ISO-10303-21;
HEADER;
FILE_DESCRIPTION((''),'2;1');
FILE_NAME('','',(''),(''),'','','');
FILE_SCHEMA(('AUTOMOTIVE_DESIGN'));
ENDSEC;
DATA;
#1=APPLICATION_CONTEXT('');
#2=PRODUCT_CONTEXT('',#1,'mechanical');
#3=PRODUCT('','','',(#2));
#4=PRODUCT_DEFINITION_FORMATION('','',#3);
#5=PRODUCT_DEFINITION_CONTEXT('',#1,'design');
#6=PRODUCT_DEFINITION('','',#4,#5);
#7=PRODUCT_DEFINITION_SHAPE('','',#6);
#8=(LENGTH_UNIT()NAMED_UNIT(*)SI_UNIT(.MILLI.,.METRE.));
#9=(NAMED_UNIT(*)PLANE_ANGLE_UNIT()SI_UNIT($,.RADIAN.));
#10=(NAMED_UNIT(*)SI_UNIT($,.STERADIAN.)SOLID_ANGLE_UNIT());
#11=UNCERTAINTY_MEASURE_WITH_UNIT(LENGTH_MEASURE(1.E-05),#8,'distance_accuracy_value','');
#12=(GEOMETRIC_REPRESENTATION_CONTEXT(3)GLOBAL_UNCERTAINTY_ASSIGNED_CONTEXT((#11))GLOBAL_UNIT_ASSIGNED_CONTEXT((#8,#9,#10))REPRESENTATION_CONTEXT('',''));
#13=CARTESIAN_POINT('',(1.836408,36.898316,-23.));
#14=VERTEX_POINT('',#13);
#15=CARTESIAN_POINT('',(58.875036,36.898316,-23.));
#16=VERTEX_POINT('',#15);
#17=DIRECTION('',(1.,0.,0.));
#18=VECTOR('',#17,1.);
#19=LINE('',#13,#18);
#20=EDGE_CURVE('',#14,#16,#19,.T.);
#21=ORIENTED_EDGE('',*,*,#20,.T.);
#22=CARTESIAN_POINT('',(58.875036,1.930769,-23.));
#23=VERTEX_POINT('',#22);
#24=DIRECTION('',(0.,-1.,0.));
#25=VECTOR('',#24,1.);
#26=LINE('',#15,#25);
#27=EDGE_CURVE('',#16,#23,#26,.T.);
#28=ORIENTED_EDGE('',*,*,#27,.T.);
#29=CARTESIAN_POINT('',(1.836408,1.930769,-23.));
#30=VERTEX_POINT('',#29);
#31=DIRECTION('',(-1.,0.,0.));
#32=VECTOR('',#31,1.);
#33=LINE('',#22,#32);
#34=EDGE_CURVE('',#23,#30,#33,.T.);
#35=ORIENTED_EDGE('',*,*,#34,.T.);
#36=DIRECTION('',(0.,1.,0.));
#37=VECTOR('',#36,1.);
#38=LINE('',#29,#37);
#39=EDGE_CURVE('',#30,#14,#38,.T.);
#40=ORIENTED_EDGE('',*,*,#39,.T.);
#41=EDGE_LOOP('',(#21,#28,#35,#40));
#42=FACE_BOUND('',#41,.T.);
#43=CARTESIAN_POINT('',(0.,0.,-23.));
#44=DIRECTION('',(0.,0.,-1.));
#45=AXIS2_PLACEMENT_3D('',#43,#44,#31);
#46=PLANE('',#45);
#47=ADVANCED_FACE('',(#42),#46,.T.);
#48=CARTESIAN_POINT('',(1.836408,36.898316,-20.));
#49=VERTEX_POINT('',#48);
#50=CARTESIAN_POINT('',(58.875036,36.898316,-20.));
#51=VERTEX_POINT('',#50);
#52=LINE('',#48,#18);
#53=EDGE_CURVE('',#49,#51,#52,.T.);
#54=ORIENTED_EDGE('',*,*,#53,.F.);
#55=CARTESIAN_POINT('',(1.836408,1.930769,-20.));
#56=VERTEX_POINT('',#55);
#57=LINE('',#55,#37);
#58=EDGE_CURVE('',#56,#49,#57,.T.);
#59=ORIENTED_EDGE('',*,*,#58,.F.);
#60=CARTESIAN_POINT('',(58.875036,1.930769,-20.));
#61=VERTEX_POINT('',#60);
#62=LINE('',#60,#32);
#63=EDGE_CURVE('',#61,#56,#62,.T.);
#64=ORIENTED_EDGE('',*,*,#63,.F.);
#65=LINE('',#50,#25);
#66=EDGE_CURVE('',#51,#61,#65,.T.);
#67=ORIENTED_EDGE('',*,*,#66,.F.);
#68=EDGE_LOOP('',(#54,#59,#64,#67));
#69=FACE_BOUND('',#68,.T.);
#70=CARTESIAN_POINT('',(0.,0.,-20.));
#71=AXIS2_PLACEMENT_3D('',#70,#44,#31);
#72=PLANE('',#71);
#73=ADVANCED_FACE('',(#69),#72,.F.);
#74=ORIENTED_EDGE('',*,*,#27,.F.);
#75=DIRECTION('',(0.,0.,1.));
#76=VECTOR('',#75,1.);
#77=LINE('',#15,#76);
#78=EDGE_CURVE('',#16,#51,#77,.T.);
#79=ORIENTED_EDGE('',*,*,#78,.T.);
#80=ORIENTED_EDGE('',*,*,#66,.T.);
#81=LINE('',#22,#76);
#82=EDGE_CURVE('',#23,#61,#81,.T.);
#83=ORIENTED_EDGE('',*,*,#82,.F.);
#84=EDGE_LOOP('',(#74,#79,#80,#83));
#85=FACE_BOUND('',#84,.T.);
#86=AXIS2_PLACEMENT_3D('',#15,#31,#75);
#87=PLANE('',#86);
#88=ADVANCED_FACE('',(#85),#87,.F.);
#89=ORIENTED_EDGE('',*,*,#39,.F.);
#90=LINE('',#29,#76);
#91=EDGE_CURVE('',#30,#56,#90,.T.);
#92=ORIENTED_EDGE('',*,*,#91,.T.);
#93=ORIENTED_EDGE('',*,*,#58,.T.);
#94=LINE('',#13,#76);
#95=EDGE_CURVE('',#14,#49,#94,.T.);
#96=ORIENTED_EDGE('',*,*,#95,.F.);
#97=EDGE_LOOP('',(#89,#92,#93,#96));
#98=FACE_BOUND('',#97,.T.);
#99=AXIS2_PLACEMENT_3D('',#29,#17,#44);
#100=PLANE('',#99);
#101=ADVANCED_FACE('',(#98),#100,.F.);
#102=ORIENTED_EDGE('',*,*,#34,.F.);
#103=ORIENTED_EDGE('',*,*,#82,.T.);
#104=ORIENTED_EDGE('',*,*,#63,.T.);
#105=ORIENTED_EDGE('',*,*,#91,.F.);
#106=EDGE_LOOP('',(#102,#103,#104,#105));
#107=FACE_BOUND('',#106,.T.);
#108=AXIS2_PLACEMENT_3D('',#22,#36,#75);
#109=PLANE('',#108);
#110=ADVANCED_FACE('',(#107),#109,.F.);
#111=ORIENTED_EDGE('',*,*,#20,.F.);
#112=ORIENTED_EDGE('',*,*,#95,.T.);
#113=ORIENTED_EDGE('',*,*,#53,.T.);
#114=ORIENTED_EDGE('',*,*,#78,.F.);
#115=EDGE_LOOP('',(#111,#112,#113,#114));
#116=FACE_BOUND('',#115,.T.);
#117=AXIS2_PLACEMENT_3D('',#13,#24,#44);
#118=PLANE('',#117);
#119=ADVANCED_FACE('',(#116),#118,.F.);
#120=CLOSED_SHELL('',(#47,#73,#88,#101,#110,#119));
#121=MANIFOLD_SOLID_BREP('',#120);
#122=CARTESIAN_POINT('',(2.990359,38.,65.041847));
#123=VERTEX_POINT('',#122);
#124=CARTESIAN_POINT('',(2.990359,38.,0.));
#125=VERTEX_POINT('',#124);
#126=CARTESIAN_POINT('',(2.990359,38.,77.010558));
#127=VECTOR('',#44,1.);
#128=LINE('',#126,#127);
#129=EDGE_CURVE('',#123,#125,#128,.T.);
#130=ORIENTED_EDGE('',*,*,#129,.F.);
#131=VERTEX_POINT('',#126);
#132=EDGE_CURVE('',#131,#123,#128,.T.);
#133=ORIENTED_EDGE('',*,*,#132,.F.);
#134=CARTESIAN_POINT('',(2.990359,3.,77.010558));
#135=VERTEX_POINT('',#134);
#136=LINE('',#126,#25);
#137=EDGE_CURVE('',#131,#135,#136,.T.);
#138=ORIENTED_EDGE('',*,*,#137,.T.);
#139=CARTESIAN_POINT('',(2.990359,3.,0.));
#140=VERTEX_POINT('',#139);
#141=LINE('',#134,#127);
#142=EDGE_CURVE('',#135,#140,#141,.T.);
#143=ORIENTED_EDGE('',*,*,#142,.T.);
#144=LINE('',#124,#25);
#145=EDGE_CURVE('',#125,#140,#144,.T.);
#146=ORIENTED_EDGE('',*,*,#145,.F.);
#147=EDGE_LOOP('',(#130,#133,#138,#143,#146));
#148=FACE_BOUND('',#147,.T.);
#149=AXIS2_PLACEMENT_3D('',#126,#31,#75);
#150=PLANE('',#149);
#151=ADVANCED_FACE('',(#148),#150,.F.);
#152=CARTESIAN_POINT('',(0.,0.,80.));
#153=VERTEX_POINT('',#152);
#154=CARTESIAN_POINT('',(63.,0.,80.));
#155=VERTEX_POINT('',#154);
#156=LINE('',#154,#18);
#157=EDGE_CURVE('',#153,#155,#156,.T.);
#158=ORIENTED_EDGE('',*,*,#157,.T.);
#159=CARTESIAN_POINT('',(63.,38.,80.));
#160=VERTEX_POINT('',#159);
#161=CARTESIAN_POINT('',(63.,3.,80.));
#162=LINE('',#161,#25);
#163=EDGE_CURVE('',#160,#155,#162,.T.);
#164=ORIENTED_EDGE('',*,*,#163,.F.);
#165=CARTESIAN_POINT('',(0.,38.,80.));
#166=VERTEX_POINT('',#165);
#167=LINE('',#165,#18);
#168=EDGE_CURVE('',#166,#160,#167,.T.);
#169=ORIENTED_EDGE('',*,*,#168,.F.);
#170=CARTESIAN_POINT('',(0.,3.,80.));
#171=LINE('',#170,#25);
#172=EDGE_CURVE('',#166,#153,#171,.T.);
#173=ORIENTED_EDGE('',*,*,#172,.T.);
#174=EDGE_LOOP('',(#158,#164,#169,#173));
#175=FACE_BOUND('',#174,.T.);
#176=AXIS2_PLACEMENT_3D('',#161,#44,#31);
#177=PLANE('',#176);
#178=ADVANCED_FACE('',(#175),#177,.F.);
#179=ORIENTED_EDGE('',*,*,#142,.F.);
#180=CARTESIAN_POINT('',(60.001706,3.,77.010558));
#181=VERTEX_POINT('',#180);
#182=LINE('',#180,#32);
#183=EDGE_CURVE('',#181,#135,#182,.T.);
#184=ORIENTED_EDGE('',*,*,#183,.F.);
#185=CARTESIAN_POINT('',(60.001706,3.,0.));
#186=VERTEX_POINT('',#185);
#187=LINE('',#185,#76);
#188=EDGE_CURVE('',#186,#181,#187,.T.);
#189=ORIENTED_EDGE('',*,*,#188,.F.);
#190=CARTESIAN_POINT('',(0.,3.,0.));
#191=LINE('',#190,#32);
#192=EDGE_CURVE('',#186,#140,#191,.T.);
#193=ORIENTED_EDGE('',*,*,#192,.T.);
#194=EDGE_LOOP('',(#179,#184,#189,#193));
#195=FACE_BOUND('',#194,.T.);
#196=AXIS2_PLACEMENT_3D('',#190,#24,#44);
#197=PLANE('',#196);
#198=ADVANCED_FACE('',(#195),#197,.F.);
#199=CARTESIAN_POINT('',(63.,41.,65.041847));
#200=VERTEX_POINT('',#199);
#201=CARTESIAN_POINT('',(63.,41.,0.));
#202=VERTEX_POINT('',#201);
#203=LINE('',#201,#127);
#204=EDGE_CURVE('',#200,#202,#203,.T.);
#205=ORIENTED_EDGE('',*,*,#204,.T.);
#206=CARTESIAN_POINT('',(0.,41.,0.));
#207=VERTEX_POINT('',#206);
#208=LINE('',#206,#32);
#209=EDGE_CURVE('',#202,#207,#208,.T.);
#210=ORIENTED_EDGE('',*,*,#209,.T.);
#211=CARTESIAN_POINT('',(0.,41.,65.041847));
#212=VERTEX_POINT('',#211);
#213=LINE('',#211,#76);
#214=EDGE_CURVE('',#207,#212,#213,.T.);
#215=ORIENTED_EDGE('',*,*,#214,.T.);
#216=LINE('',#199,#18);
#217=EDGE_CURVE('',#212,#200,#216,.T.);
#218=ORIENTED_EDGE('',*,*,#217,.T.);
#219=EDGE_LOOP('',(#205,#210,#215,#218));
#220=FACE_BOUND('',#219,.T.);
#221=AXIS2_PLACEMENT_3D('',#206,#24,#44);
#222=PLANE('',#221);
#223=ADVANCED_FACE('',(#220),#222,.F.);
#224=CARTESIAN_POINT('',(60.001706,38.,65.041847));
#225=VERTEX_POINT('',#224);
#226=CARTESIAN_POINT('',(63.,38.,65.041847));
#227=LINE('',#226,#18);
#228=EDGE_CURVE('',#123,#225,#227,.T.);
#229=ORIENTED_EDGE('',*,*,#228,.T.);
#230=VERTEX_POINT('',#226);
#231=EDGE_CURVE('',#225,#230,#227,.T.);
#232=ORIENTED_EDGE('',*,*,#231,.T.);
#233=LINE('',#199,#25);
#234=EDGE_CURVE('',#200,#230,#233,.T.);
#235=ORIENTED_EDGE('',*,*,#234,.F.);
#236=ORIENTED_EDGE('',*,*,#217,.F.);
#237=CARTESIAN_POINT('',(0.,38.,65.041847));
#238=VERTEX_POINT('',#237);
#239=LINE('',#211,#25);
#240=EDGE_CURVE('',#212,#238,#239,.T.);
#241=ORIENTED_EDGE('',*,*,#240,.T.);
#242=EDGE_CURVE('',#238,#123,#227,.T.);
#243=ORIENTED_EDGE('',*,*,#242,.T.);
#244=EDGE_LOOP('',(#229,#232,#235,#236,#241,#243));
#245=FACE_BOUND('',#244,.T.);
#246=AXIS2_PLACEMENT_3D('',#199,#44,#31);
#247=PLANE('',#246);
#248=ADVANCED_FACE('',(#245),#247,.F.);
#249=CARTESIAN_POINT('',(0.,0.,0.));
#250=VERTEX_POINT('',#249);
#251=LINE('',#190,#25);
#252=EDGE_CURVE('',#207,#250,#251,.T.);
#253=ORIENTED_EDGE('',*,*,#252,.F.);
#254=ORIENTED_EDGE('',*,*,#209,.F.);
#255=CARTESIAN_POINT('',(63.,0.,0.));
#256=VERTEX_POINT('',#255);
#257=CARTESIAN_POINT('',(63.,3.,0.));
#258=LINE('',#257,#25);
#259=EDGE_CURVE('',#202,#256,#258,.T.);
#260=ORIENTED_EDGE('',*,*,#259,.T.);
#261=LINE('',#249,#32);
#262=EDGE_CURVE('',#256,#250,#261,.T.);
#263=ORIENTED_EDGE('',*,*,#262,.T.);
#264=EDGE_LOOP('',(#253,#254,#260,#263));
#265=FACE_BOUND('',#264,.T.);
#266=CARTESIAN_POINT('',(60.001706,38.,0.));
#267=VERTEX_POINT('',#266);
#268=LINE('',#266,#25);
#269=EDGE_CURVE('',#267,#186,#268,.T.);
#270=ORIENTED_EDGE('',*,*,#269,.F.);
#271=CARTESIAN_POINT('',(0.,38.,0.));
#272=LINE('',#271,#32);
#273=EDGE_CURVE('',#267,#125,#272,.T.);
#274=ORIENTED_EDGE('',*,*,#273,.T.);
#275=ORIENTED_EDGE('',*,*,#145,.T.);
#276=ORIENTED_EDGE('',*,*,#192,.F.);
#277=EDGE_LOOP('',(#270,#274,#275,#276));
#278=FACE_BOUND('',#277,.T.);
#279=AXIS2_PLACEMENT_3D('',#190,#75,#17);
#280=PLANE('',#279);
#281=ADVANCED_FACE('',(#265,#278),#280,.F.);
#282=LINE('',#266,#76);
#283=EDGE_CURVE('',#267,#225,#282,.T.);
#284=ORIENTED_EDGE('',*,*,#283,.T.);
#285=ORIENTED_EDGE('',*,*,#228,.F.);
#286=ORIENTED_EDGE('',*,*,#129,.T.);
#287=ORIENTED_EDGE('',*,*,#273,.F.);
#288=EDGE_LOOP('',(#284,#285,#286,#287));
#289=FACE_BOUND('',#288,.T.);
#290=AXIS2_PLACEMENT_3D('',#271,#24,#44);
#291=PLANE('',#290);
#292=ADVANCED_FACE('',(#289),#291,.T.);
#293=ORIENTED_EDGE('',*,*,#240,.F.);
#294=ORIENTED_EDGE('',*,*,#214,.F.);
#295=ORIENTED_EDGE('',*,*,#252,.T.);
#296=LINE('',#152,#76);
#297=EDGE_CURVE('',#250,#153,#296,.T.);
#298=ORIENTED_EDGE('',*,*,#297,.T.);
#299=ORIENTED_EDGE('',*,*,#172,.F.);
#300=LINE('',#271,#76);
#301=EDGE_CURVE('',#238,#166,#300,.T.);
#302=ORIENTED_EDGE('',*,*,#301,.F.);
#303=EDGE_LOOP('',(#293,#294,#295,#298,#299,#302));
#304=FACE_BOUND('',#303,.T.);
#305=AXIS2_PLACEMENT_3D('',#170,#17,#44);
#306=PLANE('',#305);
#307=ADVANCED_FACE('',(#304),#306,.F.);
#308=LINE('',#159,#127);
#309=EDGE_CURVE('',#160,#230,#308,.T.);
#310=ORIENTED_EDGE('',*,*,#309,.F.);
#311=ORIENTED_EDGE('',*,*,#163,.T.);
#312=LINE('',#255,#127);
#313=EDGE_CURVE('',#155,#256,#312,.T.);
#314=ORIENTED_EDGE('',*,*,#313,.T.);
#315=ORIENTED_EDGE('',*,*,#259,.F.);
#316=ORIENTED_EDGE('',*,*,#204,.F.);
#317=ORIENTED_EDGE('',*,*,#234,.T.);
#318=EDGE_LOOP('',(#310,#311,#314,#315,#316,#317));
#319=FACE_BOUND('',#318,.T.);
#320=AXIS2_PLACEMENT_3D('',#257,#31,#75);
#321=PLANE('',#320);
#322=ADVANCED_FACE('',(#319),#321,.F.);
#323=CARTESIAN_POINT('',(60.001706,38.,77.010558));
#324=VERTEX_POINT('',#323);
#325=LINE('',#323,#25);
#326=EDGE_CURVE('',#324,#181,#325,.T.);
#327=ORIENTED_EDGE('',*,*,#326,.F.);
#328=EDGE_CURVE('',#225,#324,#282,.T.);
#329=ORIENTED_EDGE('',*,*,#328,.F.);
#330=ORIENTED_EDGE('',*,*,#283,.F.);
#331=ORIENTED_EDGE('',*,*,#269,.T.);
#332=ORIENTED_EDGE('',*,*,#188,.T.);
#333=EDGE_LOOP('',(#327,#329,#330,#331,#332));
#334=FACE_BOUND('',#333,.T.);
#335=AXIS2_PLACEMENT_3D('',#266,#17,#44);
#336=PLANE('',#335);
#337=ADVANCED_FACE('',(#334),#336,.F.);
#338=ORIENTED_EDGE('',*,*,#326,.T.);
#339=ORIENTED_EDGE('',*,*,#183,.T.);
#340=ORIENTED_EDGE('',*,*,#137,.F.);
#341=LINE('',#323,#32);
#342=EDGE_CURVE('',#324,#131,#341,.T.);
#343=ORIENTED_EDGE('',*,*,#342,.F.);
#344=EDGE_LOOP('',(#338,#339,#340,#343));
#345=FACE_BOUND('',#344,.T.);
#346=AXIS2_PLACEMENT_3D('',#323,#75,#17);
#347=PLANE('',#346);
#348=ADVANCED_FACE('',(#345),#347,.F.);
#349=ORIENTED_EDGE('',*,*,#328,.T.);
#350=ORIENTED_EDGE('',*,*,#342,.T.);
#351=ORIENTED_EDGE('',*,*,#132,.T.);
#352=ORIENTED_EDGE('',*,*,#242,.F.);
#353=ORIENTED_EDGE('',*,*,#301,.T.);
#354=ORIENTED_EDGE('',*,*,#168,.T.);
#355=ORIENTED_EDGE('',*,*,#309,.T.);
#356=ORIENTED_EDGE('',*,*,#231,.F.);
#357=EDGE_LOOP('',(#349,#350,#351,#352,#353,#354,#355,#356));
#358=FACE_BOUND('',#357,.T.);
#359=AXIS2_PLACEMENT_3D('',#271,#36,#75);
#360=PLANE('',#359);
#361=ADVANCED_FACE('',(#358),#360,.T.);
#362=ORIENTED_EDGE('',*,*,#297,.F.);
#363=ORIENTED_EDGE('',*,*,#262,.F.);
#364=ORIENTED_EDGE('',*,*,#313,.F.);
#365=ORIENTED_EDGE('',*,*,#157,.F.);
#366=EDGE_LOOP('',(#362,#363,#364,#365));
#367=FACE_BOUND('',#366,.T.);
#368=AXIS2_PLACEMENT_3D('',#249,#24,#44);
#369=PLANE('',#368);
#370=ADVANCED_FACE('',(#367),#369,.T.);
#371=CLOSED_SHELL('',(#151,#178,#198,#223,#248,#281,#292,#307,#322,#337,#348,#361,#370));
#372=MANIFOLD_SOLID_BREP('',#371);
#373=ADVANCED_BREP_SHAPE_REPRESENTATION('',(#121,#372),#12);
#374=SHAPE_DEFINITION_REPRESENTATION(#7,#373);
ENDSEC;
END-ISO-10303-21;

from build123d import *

# Parameters (mm, degrees)
ESBO_O2_W                = 63
ESBO_O2_H                = 80
RESSALTO_EXTRUS_O1_DEPTH = 3
RESSALTO_EXTRUS_O2_DEPTH = 35
ESBO_O4_W                = 63
ESBO_O4_H                = 65.041847247
RESSALTO_EXTRUS_O3_DEPTH = 3
ESBO_O6_W                = 57.038627548
ESBO_O6_H                = 34.967547607
RESSALTO_EXTRUS_O4_DEPTH = 3


with BuildPart() as part:
    # Esboço2 → Ressalto-extrusão1 (new body)
    with BuildSketch(Plane(origin=(0, 0, 0), x_dir=(1, 0, 0), z_dir=(0, 1, 0))):
        with Locations((31.5, -40)):
            Rectangle(ESBO_O2_W, ESBO_O2_H)
    extrude(amount=RESSALTO_EXTRUS_O1_DEPTH)

    # Esboço3 → Ressalto-extrusão2 (add)
    with BuildSketch(Plane(origin=(0, 3, 0), x_dir=(1, 0, 0), z_dir=(0, 1, 0))):
        Polygon((63, -80), (63, 0), (60.001706293, 0), (60.001706293, -77.010558462), (2.99035903, -77.010558462), (2.99035903, 0), (0, 0), (0, -80), align=None)
    extrude(amount=RESSALTO_EXTRUS_O2_DEPTH)

    # Esboço4 → Ressalto-extrusão3 (add)
    with BuildSketch(Plane(origin=(0, 38, 0), x_dir=(1, 0, 0), z_dir=(0, 1, 0))):
        with Locations((31.5, -32.520923624)):
            Rectangle(ESBO_O4_W, ESBO_O4_H)
    extrude(amount=RESSALTO_EXTRUS_O3_DEPTH)


with BuildPart() as body_2:
    # Esboço6 → Ressalto-extrusão4 (new body)
    with BuildSketch(Plane(origin=(0, 0, -20), x_dir=(-1, 0, 0), z_dir=(0, 0, -1))):
        with Locations((-30.355722228, 19.414542594)):
            Rectangle(ESBO_O6_W, ESBO_O6_H)
    extrude(amount=RESSALTO_EXTRUS_O4_DEPTH)


solid = Compound([part.part, body_2.part])
